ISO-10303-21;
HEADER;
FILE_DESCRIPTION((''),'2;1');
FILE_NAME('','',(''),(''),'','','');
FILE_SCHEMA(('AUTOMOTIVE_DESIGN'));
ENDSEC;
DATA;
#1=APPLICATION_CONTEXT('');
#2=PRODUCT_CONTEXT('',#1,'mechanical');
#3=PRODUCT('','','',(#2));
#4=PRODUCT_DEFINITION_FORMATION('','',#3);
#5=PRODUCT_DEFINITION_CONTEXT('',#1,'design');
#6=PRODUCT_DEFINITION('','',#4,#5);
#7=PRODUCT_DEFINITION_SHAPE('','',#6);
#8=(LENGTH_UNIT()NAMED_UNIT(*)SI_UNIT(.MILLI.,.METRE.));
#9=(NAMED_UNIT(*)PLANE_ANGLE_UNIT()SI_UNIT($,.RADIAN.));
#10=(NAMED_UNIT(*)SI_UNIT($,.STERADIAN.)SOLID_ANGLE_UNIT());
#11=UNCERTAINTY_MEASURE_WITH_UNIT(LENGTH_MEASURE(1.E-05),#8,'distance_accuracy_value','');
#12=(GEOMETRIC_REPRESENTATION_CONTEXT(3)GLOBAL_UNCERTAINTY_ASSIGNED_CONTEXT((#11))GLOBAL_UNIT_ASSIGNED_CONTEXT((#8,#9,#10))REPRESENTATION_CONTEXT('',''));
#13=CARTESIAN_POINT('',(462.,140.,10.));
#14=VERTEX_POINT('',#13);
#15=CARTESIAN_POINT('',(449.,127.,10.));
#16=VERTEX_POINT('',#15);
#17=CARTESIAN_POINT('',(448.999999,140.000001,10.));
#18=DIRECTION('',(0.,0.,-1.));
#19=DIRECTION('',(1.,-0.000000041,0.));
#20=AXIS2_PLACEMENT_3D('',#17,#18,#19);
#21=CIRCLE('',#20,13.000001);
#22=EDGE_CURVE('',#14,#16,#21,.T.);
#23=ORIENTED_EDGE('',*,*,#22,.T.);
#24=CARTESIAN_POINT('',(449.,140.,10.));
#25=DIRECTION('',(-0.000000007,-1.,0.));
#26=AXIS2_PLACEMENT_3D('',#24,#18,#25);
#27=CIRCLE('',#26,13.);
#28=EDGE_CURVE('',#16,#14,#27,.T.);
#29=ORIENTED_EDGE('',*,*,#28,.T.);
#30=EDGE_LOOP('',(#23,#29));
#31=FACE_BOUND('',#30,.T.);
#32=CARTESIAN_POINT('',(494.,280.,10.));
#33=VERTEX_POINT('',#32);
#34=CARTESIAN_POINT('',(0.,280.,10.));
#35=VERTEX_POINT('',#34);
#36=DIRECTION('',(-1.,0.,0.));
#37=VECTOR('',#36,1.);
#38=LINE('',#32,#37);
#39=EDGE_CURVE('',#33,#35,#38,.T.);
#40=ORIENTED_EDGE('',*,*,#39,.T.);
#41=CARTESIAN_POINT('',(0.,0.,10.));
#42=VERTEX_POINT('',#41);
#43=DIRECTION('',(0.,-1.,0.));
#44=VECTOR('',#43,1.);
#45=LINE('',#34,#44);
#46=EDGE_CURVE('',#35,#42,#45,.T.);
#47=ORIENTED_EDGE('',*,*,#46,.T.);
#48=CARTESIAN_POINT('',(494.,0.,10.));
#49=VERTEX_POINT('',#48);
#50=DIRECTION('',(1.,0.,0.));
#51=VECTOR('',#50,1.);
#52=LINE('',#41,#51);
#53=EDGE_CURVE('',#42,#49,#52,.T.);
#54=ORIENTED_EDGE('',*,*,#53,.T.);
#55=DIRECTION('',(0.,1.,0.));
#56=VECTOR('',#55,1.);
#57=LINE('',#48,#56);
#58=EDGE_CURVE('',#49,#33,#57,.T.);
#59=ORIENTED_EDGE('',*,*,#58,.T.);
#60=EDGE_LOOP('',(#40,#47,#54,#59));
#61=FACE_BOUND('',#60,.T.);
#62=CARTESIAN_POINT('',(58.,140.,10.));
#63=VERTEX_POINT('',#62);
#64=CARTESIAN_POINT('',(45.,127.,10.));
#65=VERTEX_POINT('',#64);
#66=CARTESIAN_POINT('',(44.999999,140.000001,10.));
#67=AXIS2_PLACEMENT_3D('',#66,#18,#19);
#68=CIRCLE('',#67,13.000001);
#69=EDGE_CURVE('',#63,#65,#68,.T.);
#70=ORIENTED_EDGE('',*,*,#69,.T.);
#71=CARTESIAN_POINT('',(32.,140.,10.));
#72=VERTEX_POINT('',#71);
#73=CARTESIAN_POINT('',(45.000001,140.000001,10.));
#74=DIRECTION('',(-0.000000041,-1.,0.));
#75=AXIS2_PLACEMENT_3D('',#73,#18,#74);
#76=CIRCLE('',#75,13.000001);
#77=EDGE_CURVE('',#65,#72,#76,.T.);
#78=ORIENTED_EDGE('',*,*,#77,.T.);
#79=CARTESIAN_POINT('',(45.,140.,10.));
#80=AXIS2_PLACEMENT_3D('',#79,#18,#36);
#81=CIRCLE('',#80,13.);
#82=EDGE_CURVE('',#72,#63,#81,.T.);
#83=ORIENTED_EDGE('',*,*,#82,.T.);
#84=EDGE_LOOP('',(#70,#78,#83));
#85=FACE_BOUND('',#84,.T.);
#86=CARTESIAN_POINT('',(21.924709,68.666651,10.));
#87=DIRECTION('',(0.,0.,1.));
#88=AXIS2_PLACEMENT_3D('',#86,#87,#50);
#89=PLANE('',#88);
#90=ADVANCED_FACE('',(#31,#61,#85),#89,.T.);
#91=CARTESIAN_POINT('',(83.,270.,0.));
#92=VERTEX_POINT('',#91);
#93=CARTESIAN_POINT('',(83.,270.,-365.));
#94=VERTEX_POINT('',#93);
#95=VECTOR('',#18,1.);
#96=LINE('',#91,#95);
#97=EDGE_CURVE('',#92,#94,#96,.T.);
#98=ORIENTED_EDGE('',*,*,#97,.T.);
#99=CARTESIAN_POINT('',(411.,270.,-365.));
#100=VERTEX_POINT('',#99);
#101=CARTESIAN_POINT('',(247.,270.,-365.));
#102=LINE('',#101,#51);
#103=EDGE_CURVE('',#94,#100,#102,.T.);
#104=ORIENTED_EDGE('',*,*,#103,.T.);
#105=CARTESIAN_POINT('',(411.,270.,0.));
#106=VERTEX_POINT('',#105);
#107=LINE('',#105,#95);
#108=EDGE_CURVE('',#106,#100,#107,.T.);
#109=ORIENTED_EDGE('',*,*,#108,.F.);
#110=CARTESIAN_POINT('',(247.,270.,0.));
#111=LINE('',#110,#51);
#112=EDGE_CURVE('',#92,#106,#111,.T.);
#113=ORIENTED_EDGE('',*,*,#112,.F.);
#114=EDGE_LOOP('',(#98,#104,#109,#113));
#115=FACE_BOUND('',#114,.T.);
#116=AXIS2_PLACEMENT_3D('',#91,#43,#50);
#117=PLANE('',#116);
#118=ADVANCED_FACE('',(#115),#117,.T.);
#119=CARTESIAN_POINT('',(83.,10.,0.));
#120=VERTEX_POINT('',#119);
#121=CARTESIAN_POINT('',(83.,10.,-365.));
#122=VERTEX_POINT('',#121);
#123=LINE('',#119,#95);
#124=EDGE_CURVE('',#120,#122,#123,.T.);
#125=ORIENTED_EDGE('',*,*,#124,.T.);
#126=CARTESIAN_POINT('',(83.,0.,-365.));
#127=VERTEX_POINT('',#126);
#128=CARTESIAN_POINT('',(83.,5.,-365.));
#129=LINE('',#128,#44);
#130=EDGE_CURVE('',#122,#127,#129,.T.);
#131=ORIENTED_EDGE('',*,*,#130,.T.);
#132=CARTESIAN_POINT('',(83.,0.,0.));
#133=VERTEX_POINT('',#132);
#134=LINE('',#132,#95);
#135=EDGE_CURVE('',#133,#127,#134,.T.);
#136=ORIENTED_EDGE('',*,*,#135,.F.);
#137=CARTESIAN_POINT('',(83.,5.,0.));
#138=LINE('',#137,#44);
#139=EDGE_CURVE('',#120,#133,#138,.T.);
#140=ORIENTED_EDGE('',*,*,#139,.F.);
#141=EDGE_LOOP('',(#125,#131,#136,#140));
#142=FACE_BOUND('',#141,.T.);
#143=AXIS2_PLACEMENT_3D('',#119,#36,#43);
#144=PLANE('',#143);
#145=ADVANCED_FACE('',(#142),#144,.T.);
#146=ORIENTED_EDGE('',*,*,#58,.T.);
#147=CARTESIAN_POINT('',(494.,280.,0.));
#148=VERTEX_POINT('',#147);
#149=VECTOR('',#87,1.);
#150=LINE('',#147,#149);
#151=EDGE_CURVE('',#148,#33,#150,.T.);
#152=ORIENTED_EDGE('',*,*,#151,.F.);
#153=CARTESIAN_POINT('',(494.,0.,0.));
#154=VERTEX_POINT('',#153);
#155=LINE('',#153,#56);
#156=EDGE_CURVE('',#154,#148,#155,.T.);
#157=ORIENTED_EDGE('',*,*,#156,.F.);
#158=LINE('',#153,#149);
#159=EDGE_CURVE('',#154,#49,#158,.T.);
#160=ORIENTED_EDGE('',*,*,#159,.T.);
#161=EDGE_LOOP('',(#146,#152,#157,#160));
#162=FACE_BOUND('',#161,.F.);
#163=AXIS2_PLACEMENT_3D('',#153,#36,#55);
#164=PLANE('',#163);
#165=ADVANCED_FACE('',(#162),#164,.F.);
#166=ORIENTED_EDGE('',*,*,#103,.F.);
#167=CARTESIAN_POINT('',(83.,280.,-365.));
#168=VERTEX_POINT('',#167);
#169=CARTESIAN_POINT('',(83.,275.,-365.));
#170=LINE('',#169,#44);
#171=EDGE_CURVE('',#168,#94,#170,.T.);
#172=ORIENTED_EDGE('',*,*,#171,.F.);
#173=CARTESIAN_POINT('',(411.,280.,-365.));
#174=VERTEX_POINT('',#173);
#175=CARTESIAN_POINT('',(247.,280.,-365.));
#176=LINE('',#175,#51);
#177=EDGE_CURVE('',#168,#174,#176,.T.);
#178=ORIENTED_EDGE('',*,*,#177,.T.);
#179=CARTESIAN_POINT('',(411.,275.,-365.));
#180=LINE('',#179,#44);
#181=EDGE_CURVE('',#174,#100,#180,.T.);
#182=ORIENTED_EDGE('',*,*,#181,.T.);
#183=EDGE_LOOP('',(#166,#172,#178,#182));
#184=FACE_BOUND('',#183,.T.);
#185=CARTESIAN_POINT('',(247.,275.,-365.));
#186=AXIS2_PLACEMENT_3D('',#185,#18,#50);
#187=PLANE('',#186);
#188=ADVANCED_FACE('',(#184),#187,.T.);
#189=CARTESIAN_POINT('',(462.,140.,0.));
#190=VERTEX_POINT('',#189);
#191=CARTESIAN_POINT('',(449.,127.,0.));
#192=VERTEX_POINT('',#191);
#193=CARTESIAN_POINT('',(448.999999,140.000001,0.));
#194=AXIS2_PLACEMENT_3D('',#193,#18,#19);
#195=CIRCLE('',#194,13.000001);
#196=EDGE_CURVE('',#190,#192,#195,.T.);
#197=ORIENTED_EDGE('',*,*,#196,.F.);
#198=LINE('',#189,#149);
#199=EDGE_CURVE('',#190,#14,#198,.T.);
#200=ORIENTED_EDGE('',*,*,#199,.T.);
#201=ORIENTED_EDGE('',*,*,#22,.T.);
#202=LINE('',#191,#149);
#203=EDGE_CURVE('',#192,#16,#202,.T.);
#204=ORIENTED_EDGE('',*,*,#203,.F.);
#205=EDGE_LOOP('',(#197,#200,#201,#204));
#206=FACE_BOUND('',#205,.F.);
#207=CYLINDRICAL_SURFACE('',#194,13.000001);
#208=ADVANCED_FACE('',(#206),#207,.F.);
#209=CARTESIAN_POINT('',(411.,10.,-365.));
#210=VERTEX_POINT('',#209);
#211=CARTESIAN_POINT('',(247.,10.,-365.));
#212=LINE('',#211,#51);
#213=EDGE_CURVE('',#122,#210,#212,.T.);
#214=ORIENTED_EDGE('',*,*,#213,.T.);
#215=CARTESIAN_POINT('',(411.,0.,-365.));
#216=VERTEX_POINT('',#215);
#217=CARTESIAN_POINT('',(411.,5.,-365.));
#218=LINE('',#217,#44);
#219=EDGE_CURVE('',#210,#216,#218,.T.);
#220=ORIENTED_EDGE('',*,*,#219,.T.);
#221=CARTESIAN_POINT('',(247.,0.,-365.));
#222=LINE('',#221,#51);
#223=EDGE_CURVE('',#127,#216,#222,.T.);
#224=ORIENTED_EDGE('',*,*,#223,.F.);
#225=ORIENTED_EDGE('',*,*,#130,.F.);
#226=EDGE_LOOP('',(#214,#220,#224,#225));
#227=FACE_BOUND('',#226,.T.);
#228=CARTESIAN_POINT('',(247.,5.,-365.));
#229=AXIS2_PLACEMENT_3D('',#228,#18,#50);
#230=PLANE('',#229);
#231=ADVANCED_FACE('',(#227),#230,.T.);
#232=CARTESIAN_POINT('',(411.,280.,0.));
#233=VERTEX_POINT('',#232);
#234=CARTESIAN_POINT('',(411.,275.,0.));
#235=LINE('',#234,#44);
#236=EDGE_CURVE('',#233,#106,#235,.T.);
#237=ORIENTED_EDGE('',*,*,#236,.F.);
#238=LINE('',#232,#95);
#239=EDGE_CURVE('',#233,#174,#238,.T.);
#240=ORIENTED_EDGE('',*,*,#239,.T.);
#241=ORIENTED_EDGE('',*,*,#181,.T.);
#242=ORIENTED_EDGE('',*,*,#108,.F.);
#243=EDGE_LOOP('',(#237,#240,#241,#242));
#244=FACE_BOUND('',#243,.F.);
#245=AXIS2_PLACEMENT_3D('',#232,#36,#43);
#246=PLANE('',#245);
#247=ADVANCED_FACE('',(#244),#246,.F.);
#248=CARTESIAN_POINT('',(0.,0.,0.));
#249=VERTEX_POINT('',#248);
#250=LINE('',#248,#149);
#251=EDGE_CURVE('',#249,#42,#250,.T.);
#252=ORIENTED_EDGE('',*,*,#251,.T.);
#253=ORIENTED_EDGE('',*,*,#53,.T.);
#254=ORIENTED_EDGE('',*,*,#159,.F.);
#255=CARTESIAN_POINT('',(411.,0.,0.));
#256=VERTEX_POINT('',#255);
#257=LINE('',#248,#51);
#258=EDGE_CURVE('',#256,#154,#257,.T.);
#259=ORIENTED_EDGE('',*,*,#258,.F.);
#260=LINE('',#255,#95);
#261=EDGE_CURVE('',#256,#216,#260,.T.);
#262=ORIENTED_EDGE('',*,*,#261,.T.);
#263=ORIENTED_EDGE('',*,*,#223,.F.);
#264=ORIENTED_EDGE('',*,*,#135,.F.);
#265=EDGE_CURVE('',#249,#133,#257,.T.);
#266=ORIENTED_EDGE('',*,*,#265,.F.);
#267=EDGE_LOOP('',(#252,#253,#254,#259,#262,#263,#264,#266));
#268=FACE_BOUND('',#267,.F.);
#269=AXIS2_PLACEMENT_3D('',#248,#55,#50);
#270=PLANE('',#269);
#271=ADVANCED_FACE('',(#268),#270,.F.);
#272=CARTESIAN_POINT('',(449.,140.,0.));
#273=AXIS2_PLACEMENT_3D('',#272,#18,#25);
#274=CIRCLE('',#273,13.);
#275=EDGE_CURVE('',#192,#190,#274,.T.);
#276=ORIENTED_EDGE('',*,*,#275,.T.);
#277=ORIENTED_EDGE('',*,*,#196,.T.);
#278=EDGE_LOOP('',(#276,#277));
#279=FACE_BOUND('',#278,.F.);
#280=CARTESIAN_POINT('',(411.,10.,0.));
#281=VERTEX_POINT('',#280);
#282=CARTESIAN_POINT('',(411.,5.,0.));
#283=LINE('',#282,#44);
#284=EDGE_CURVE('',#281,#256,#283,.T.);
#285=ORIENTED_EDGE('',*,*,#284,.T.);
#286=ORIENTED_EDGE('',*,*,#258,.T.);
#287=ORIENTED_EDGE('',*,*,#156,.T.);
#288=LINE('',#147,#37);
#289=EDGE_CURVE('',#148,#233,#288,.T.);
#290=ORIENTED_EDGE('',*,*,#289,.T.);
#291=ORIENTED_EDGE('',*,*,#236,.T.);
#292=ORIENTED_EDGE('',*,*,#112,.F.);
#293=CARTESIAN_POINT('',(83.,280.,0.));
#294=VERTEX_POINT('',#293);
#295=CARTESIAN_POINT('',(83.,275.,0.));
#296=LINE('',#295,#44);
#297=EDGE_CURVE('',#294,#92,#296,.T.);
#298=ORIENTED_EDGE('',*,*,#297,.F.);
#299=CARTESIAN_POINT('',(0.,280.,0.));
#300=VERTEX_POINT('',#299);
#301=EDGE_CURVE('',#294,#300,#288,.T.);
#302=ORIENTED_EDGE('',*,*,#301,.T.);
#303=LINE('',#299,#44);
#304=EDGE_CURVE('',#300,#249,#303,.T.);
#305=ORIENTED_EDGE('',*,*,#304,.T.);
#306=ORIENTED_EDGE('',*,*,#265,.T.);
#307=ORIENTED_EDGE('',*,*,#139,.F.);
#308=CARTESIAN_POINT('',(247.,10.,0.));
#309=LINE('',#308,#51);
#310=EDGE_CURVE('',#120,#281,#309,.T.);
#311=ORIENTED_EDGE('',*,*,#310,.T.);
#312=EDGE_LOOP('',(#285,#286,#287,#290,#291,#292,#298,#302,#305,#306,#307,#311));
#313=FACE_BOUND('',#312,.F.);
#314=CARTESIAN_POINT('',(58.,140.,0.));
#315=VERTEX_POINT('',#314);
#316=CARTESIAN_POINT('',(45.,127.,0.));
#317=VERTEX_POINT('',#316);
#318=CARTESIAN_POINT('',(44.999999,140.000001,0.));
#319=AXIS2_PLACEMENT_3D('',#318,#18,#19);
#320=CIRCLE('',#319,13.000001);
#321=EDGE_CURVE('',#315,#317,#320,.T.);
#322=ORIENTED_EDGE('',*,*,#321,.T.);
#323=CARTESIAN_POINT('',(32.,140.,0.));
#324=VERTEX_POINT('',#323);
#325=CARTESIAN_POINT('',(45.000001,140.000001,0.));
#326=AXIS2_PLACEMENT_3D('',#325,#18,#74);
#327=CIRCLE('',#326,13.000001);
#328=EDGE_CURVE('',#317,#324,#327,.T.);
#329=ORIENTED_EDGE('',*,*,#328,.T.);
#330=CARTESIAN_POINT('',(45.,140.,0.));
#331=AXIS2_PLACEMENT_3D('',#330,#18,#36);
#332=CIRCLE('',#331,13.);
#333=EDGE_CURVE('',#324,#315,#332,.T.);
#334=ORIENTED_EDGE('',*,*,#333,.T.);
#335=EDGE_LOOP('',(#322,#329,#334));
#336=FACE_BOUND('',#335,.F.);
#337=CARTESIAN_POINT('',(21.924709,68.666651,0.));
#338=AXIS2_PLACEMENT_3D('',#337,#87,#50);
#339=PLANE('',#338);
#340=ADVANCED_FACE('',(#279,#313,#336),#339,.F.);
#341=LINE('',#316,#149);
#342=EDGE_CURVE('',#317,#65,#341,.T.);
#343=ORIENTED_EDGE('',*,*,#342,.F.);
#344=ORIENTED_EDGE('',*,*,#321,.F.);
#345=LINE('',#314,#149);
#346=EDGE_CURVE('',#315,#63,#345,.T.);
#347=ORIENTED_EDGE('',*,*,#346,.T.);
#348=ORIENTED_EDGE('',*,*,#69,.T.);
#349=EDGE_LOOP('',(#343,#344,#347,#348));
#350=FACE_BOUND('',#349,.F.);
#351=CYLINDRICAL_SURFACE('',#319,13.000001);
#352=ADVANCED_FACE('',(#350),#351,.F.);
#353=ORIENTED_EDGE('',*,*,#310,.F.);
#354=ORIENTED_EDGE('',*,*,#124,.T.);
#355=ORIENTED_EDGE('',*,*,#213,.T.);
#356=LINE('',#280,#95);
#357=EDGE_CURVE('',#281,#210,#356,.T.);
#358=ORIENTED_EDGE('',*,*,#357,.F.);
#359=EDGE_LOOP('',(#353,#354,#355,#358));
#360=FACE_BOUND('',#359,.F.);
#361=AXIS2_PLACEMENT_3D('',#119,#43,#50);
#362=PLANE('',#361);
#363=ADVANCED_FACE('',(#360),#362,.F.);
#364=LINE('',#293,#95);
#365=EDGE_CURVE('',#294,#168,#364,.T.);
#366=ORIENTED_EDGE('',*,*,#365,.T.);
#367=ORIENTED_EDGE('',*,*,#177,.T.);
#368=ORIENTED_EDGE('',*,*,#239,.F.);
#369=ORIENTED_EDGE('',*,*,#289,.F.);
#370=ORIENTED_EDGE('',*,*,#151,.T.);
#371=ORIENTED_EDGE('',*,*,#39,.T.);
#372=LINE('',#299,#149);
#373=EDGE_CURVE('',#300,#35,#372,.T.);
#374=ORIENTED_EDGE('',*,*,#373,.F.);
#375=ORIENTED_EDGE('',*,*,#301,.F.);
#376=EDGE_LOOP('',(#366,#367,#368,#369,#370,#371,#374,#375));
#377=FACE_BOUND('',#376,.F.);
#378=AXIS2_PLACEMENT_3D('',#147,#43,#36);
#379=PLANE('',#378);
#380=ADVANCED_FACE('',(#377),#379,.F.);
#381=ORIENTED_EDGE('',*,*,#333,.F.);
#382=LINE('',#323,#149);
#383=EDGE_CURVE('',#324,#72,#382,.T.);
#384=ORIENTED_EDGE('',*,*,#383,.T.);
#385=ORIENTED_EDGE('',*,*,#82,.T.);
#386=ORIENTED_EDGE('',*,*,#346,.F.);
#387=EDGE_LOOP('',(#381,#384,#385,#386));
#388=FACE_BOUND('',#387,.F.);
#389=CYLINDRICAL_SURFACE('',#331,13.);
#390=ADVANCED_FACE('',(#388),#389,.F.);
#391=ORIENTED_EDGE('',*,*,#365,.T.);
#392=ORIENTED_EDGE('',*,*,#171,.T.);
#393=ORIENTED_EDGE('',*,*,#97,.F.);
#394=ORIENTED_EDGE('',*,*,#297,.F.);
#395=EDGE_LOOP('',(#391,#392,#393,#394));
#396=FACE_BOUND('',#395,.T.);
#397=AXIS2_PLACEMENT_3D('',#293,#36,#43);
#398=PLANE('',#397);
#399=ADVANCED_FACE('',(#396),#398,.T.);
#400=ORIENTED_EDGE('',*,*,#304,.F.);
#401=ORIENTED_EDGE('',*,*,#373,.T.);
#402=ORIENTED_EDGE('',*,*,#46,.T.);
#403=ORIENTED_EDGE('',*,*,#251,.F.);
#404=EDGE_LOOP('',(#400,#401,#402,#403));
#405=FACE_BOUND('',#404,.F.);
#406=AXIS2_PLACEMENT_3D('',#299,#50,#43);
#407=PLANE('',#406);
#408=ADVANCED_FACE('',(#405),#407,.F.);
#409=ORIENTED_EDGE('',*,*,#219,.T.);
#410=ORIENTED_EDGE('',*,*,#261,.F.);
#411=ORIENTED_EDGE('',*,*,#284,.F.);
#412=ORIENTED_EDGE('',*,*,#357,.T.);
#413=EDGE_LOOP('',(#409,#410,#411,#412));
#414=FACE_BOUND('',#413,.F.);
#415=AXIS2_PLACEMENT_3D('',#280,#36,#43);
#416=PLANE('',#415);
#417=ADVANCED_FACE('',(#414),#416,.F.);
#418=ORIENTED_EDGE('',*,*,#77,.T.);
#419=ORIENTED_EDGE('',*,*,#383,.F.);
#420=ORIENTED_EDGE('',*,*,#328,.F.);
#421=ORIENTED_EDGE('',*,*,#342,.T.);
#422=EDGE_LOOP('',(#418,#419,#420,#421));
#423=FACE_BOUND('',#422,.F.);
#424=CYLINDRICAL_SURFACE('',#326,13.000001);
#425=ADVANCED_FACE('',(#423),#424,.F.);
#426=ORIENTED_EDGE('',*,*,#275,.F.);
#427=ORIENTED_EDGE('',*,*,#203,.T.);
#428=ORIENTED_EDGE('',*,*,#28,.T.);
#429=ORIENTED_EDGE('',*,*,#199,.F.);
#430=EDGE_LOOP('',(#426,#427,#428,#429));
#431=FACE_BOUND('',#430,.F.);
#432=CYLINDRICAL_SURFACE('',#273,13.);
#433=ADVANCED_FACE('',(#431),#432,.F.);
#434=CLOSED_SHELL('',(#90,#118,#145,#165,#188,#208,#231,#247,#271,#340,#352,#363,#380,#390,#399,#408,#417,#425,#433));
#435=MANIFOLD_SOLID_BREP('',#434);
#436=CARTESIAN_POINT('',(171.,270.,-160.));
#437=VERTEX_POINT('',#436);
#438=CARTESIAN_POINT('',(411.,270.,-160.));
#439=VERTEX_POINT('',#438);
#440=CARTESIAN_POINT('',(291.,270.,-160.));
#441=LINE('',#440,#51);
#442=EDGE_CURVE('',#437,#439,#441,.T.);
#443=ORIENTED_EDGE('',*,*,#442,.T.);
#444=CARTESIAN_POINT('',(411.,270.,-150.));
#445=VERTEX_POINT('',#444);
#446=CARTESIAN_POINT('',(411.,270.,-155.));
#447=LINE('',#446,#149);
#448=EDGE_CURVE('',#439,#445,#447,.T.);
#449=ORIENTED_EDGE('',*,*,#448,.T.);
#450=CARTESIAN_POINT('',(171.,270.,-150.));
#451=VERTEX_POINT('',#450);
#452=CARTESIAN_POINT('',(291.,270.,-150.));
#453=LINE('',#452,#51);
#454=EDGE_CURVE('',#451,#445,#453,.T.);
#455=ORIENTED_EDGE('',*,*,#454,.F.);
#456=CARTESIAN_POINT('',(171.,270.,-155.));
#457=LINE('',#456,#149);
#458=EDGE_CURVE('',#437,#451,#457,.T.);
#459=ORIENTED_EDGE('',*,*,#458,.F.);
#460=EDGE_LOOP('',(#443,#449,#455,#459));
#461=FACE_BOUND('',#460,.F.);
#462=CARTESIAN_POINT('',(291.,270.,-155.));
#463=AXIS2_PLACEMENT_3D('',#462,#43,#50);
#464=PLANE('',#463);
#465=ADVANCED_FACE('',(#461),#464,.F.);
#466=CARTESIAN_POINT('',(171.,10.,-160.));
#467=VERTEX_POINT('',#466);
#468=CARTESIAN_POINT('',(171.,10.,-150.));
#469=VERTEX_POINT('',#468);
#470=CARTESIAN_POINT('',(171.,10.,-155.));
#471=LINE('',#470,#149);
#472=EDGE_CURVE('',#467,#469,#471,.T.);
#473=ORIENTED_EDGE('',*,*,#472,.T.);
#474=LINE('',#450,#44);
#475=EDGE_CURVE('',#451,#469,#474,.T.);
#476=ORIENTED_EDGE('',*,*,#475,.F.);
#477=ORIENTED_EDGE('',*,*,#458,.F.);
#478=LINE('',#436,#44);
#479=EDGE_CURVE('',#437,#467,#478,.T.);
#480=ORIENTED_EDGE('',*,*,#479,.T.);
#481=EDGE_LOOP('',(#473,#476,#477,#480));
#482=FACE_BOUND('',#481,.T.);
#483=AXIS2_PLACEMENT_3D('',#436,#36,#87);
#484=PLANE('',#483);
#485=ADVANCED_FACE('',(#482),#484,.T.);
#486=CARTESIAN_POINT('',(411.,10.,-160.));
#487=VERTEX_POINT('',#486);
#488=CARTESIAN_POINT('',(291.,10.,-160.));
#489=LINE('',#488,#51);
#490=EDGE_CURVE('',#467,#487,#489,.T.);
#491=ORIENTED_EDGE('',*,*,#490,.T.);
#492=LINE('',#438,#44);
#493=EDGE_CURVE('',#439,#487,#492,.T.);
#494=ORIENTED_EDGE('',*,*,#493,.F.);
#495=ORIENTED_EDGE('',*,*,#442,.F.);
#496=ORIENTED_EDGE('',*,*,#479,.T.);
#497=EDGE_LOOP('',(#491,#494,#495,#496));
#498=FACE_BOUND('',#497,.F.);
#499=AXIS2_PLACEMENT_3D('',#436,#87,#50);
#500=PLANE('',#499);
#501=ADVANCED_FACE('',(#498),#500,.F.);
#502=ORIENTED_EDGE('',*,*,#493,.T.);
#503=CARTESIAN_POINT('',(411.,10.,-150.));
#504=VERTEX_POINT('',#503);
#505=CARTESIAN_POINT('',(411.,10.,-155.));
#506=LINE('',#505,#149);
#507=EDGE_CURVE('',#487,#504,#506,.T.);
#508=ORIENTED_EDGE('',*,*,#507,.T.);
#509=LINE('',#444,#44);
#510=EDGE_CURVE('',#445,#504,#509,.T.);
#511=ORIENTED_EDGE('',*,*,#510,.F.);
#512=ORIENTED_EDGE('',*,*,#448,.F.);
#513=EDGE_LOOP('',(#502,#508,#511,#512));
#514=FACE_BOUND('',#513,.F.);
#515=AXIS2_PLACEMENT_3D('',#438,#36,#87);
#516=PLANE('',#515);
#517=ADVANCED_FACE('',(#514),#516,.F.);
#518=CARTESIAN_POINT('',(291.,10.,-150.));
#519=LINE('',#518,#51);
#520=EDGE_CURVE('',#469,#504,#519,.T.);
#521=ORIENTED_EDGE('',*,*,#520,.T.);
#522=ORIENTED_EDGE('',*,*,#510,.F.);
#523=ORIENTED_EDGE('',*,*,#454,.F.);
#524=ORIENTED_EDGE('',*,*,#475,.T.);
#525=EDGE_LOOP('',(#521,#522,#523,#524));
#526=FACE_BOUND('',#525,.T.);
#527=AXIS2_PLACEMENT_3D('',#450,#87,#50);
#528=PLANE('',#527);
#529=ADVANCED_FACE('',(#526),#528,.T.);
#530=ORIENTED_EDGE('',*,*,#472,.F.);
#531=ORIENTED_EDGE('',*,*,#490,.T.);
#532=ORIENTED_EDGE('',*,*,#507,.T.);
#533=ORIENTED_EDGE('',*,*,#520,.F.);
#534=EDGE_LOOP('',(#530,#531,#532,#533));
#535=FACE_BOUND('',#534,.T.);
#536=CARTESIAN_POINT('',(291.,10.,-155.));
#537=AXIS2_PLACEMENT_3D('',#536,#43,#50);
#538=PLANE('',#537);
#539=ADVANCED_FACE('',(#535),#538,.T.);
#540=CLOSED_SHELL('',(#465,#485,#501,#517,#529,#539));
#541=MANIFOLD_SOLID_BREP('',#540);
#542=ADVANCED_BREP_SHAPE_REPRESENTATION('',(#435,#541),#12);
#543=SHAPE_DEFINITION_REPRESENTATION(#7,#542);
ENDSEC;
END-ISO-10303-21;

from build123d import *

# Parameters (mm, degrees)
F1_DEPTH = 10
F2_W     = 328
F2_H     = 10
F3_DEPTH = 365
F4_W     = 240
F4_H     = 10
F5_DEPTH = 260


with BuildPart() as f1:
    # F0 (on Top) → F1 (new body)
    with BuildSketch(Plane.XY):
        with BuildLine():
            Line((0, 140), (0, 0))
            Line((0, 0), (45, 0))
            Line((45, 0), (45, 127))
            ThreePointArc((45, 127), (35.807612, 130.807612), (32, 140))
            Line((32, 140), (0, 140))
        make_face()
        with BuildLine():
            Line((45, 127), (45, 0))
            Line((45, 0), (449, 0))
            Line((449, 0), (449, 127))
            ThreePointArc((449, 127), (439.807612, 149.192388), (462, 140))
            Line((462, 140), (494, 140))
            Line((494, 140), (494, 280))
            Line((494, 280), (0, 280))
            Line((0, 280), (0, 140))
            Line((0, 140), (32, 140))
            ThreePointArc((32, 140), (45, 153), (58, 140))
            ThreePointArc((58, 140), (54.192388, 130.807612), (45, 127))
        make_face()
        with BuildLine():
            Line((449, 127), (449, 0))
            Line((449, 0), (494, 0))
            Line((494, 0), (494, 140))
            Line((494, 140), (462, 140))
            ThreePointArc((462, 140), (458.192388, 130.807612), (449, 127))
        make_face()
    extrude(amount=F1_DEPTH)

    # F2 (on face) → F3 (join)
    with BuildSketch(Plane(origin=(0, 0, 0), x_dir=(1, 0, 0), z_dir=(0, 0, -1))):
        with Locations((247, -275)):
            Rectangle(F2_W, F2_H)
        with Locations((247, -5)):
            Rectangle(F2_W, F2_H)
    extrude(amount=F3_DEPTH)


with BuildPart() as f5:
    # F4 (on face) → F5 (new body)
    with BuildSketch(Plane.XZ.offset(-270)):
        with Locations((291, -155)):
            Rectangle(F4_W, F4_H)
    extrude(amount=F5_DEPTH)


solid = Compound([f1.part, f5.part])
